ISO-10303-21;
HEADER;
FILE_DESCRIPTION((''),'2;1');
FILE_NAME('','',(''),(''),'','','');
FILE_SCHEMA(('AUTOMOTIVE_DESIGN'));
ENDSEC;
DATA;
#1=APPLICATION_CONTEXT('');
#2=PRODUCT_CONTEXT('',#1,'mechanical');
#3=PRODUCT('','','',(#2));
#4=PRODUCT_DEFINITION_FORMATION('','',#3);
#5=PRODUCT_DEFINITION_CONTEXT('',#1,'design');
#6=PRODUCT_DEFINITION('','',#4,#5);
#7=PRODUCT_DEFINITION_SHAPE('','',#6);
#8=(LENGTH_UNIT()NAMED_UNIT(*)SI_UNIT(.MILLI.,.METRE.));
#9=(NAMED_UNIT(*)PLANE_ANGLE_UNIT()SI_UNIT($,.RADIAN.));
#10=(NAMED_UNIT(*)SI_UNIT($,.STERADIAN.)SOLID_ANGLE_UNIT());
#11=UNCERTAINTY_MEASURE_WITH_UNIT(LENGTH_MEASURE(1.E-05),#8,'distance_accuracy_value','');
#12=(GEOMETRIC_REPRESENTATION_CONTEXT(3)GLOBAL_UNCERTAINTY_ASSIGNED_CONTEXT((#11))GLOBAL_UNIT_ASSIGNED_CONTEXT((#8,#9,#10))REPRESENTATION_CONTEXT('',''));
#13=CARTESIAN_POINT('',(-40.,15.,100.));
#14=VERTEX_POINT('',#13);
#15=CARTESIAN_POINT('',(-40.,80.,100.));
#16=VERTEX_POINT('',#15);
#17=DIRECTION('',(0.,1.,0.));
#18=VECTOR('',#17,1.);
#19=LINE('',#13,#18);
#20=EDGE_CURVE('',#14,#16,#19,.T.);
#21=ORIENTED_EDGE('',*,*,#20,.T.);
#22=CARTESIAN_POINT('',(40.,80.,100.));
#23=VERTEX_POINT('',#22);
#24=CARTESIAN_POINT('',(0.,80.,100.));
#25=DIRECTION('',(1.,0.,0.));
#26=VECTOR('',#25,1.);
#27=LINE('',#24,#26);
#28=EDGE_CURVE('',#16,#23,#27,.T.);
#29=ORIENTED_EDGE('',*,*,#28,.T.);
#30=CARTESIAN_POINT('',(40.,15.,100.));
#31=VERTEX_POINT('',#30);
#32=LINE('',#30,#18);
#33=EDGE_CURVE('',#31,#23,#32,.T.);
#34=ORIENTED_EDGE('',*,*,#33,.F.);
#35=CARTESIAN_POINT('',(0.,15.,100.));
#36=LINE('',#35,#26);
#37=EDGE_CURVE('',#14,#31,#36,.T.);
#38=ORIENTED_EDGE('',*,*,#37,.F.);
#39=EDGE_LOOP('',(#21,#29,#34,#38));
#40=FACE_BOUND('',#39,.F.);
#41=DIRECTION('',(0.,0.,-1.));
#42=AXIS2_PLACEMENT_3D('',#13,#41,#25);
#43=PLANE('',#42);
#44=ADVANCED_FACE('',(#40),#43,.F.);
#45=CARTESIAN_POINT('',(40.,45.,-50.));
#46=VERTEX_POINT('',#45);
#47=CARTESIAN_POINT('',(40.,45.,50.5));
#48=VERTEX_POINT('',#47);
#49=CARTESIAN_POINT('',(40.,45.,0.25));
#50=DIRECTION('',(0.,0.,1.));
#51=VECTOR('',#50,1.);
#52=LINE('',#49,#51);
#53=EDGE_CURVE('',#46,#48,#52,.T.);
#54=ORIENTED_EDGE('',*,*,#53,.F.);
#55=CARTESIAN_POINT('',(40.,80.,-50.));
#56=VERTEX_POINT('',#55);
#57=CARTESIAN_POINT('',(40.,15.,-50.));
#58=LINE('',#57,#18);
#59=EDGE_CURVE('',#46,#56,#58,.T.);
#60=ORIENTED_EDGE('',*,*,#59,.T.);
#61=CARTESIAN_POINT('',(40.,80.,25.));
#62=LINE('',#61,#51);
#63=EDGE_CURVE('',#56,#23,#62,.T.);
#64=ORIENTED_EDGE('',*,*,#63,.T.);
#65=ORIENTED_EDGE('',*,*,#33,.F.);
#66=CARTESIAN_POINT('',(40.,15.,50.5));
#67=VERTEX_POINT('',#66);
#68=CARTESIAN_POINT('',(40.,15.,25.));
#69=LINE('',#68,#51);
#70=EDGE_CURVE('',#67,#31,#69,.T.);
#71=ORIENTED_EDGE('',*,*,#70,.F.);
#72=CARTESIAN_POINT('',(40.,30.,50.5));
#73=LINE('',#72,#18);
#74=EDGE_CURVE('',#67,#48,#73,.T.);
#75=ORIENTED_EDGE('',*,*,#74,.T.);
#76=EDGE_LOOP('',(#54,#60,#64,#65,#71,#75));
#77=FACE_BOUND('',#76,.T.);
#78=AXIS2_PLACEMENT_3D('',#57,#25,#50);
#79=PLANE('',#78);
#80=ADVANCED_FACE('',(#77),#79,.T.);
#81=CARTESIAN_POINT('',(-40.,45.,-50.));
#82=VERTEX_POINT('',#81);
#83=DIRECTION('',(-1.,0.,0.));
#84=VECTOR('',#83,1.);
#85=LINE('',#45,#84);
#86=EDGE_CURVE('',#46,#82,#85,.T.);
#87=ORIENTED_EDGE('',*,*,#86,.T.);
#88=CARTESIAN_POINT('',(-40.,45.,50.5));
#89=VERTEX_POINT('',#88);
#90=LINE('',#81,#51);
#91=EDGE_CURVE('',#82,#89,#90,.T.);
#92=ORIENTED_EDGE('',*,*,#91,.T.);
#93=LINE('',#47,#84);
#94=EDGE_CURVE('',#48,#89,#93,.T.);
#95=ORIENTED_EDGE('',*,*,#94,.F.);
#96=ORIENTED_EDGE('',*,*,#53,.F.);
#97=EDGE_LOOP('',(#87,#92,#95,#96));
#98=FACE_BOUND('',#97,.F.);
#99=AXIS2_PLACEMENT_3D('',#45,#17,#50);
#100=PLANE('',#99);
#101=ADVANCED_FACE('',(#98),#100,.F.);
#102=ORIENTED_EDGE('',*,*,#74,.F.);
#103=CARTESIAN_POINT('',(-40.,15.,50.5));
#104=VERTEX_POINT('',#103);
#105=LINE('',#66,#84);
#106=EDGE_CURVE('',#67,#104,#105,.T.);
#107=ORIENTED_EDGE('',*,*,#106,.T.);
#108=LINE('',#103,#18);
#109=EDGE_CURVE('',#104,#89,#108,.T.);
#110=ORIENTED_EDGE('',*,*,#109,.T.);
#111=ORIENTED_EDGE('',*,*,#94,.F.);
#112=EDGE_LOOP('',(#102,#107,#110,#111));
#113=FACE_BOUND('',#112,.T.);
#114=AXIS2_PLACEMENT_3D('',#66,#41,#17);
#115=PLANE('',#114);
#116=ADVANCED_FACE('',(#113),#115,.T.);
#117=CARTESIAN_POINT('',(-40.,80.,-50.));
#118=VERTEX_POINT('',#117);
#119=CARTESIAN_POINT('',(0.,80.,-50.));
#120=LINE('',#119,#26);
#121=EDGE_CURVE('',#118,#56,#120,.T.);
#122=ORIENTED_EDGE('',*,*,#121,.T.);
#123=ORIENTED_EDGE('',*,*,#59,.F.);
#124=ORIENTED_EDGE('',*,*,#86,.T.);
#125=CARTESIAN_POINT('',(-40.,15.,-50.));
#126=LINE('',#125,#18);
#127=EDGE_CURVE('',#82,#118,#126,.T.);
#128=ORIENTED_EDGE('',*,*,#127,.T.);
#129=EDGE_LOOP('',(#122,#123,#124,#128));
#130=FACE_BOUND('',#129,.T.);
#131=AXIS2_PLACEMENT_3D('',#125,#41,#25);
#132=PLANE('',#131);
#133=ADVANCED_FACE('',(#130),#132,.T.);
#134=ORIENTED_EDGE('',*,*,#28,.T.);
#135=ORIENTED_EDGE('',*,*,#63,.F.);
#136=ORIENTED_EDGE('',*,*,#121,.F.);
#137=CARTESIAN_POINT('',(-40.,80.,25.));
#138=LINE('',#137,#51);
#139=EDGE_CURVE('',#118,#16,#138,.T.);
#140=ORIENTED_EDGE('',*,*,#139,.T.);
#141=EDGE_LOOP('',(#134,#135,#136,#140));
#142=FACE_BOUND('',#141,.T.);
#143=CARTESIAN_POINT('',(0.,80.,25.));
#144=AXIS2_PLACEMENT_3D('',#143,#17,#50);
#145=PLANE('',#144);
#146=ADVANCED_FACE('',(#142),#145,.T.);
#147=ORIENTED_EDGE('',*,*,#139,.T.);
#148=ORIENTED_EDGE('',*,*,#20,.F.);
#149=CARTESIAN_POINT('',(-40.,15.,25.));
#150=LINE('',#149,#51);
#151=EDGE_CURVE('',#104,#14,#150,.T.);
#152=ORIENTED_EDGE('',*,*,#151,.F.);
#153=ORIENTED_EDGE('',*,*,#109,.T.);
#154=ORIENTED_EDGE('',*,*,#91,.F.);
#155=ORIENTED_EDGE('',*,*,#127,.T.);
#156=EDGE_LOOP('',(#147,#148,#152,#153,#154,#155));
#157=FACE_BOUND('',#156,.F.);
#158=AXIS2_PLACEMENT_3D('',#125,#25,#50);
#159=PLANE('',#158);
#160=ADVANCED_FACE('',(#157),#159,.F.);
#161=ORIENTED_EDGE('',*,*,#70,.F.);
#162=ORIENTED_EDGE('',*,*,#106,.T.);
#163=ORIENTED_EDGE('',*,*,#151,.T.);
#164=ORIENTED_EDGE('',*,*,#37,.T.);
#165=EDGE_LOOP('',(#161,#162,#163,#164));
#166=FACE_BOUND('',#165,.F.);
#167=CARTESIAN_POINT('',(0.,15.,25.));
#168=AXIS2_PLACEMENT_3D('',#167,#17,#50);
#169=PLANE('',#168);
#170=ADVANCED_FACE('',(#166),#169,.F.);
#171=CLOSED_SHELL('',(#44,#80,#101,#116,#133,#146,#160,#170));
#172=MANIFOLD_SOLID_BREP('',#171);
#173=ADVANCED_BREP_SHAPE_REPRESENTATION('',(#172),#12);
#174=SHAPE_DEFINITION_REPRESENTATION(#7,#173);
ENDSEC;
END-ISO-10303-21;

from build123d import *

# Parameters (mm, degrees)
SKETCH003_W     = 150
SKETCH003_H     = 80
PAD001_DEPTH    = 65
SKETCH004_W     = 100.5
SKETCH004_H     = 60
POCKET002_DEPTH = 30
SKETCH005_W     = 30
SKETCH005_H     = 100.5
POCKET003_DEPTH = 80.001


with BuildPart() as part:
    # Sketch003 (on Face1 of CopyChamfer002) → Pad001 (new body)
    with BuildSketch(Plane.ZX.offset(15)):
        with Locations((25, 0)):
            Rectangle(SKETCH003_W, SKETCH003_H)
    extrude(amount=PAD001_DEPTH)

    # Sketch004 (on Face5 of Pad001) → Pocket002 (cut)
    with BuildSketch(Plane(origin=(0, 15, 0), x_dir=(0, 0, -1), z_dir=(0, -1, 0))):
        with Locations((-0.25, 0)):
            Rectangle(SKETCH004_W, SKETCH004_H)
    extrude(amount=-POCKET002_DEPTH, mode=Mode.SUBTRACT)

    # Sketch005 (on Face1 of Pocket002) → Pocket003 (cut, through all)
    with BuildSketch(Plane.YZ.offset(40)):
        with Locations((30, 0.25)):
            Rectangle(SKETCH005_W, SKETCH005_H)
    extrude(amount=-POCKET003_DEPTH, mode=Mode.SUBTRACT)


solid = part.part
